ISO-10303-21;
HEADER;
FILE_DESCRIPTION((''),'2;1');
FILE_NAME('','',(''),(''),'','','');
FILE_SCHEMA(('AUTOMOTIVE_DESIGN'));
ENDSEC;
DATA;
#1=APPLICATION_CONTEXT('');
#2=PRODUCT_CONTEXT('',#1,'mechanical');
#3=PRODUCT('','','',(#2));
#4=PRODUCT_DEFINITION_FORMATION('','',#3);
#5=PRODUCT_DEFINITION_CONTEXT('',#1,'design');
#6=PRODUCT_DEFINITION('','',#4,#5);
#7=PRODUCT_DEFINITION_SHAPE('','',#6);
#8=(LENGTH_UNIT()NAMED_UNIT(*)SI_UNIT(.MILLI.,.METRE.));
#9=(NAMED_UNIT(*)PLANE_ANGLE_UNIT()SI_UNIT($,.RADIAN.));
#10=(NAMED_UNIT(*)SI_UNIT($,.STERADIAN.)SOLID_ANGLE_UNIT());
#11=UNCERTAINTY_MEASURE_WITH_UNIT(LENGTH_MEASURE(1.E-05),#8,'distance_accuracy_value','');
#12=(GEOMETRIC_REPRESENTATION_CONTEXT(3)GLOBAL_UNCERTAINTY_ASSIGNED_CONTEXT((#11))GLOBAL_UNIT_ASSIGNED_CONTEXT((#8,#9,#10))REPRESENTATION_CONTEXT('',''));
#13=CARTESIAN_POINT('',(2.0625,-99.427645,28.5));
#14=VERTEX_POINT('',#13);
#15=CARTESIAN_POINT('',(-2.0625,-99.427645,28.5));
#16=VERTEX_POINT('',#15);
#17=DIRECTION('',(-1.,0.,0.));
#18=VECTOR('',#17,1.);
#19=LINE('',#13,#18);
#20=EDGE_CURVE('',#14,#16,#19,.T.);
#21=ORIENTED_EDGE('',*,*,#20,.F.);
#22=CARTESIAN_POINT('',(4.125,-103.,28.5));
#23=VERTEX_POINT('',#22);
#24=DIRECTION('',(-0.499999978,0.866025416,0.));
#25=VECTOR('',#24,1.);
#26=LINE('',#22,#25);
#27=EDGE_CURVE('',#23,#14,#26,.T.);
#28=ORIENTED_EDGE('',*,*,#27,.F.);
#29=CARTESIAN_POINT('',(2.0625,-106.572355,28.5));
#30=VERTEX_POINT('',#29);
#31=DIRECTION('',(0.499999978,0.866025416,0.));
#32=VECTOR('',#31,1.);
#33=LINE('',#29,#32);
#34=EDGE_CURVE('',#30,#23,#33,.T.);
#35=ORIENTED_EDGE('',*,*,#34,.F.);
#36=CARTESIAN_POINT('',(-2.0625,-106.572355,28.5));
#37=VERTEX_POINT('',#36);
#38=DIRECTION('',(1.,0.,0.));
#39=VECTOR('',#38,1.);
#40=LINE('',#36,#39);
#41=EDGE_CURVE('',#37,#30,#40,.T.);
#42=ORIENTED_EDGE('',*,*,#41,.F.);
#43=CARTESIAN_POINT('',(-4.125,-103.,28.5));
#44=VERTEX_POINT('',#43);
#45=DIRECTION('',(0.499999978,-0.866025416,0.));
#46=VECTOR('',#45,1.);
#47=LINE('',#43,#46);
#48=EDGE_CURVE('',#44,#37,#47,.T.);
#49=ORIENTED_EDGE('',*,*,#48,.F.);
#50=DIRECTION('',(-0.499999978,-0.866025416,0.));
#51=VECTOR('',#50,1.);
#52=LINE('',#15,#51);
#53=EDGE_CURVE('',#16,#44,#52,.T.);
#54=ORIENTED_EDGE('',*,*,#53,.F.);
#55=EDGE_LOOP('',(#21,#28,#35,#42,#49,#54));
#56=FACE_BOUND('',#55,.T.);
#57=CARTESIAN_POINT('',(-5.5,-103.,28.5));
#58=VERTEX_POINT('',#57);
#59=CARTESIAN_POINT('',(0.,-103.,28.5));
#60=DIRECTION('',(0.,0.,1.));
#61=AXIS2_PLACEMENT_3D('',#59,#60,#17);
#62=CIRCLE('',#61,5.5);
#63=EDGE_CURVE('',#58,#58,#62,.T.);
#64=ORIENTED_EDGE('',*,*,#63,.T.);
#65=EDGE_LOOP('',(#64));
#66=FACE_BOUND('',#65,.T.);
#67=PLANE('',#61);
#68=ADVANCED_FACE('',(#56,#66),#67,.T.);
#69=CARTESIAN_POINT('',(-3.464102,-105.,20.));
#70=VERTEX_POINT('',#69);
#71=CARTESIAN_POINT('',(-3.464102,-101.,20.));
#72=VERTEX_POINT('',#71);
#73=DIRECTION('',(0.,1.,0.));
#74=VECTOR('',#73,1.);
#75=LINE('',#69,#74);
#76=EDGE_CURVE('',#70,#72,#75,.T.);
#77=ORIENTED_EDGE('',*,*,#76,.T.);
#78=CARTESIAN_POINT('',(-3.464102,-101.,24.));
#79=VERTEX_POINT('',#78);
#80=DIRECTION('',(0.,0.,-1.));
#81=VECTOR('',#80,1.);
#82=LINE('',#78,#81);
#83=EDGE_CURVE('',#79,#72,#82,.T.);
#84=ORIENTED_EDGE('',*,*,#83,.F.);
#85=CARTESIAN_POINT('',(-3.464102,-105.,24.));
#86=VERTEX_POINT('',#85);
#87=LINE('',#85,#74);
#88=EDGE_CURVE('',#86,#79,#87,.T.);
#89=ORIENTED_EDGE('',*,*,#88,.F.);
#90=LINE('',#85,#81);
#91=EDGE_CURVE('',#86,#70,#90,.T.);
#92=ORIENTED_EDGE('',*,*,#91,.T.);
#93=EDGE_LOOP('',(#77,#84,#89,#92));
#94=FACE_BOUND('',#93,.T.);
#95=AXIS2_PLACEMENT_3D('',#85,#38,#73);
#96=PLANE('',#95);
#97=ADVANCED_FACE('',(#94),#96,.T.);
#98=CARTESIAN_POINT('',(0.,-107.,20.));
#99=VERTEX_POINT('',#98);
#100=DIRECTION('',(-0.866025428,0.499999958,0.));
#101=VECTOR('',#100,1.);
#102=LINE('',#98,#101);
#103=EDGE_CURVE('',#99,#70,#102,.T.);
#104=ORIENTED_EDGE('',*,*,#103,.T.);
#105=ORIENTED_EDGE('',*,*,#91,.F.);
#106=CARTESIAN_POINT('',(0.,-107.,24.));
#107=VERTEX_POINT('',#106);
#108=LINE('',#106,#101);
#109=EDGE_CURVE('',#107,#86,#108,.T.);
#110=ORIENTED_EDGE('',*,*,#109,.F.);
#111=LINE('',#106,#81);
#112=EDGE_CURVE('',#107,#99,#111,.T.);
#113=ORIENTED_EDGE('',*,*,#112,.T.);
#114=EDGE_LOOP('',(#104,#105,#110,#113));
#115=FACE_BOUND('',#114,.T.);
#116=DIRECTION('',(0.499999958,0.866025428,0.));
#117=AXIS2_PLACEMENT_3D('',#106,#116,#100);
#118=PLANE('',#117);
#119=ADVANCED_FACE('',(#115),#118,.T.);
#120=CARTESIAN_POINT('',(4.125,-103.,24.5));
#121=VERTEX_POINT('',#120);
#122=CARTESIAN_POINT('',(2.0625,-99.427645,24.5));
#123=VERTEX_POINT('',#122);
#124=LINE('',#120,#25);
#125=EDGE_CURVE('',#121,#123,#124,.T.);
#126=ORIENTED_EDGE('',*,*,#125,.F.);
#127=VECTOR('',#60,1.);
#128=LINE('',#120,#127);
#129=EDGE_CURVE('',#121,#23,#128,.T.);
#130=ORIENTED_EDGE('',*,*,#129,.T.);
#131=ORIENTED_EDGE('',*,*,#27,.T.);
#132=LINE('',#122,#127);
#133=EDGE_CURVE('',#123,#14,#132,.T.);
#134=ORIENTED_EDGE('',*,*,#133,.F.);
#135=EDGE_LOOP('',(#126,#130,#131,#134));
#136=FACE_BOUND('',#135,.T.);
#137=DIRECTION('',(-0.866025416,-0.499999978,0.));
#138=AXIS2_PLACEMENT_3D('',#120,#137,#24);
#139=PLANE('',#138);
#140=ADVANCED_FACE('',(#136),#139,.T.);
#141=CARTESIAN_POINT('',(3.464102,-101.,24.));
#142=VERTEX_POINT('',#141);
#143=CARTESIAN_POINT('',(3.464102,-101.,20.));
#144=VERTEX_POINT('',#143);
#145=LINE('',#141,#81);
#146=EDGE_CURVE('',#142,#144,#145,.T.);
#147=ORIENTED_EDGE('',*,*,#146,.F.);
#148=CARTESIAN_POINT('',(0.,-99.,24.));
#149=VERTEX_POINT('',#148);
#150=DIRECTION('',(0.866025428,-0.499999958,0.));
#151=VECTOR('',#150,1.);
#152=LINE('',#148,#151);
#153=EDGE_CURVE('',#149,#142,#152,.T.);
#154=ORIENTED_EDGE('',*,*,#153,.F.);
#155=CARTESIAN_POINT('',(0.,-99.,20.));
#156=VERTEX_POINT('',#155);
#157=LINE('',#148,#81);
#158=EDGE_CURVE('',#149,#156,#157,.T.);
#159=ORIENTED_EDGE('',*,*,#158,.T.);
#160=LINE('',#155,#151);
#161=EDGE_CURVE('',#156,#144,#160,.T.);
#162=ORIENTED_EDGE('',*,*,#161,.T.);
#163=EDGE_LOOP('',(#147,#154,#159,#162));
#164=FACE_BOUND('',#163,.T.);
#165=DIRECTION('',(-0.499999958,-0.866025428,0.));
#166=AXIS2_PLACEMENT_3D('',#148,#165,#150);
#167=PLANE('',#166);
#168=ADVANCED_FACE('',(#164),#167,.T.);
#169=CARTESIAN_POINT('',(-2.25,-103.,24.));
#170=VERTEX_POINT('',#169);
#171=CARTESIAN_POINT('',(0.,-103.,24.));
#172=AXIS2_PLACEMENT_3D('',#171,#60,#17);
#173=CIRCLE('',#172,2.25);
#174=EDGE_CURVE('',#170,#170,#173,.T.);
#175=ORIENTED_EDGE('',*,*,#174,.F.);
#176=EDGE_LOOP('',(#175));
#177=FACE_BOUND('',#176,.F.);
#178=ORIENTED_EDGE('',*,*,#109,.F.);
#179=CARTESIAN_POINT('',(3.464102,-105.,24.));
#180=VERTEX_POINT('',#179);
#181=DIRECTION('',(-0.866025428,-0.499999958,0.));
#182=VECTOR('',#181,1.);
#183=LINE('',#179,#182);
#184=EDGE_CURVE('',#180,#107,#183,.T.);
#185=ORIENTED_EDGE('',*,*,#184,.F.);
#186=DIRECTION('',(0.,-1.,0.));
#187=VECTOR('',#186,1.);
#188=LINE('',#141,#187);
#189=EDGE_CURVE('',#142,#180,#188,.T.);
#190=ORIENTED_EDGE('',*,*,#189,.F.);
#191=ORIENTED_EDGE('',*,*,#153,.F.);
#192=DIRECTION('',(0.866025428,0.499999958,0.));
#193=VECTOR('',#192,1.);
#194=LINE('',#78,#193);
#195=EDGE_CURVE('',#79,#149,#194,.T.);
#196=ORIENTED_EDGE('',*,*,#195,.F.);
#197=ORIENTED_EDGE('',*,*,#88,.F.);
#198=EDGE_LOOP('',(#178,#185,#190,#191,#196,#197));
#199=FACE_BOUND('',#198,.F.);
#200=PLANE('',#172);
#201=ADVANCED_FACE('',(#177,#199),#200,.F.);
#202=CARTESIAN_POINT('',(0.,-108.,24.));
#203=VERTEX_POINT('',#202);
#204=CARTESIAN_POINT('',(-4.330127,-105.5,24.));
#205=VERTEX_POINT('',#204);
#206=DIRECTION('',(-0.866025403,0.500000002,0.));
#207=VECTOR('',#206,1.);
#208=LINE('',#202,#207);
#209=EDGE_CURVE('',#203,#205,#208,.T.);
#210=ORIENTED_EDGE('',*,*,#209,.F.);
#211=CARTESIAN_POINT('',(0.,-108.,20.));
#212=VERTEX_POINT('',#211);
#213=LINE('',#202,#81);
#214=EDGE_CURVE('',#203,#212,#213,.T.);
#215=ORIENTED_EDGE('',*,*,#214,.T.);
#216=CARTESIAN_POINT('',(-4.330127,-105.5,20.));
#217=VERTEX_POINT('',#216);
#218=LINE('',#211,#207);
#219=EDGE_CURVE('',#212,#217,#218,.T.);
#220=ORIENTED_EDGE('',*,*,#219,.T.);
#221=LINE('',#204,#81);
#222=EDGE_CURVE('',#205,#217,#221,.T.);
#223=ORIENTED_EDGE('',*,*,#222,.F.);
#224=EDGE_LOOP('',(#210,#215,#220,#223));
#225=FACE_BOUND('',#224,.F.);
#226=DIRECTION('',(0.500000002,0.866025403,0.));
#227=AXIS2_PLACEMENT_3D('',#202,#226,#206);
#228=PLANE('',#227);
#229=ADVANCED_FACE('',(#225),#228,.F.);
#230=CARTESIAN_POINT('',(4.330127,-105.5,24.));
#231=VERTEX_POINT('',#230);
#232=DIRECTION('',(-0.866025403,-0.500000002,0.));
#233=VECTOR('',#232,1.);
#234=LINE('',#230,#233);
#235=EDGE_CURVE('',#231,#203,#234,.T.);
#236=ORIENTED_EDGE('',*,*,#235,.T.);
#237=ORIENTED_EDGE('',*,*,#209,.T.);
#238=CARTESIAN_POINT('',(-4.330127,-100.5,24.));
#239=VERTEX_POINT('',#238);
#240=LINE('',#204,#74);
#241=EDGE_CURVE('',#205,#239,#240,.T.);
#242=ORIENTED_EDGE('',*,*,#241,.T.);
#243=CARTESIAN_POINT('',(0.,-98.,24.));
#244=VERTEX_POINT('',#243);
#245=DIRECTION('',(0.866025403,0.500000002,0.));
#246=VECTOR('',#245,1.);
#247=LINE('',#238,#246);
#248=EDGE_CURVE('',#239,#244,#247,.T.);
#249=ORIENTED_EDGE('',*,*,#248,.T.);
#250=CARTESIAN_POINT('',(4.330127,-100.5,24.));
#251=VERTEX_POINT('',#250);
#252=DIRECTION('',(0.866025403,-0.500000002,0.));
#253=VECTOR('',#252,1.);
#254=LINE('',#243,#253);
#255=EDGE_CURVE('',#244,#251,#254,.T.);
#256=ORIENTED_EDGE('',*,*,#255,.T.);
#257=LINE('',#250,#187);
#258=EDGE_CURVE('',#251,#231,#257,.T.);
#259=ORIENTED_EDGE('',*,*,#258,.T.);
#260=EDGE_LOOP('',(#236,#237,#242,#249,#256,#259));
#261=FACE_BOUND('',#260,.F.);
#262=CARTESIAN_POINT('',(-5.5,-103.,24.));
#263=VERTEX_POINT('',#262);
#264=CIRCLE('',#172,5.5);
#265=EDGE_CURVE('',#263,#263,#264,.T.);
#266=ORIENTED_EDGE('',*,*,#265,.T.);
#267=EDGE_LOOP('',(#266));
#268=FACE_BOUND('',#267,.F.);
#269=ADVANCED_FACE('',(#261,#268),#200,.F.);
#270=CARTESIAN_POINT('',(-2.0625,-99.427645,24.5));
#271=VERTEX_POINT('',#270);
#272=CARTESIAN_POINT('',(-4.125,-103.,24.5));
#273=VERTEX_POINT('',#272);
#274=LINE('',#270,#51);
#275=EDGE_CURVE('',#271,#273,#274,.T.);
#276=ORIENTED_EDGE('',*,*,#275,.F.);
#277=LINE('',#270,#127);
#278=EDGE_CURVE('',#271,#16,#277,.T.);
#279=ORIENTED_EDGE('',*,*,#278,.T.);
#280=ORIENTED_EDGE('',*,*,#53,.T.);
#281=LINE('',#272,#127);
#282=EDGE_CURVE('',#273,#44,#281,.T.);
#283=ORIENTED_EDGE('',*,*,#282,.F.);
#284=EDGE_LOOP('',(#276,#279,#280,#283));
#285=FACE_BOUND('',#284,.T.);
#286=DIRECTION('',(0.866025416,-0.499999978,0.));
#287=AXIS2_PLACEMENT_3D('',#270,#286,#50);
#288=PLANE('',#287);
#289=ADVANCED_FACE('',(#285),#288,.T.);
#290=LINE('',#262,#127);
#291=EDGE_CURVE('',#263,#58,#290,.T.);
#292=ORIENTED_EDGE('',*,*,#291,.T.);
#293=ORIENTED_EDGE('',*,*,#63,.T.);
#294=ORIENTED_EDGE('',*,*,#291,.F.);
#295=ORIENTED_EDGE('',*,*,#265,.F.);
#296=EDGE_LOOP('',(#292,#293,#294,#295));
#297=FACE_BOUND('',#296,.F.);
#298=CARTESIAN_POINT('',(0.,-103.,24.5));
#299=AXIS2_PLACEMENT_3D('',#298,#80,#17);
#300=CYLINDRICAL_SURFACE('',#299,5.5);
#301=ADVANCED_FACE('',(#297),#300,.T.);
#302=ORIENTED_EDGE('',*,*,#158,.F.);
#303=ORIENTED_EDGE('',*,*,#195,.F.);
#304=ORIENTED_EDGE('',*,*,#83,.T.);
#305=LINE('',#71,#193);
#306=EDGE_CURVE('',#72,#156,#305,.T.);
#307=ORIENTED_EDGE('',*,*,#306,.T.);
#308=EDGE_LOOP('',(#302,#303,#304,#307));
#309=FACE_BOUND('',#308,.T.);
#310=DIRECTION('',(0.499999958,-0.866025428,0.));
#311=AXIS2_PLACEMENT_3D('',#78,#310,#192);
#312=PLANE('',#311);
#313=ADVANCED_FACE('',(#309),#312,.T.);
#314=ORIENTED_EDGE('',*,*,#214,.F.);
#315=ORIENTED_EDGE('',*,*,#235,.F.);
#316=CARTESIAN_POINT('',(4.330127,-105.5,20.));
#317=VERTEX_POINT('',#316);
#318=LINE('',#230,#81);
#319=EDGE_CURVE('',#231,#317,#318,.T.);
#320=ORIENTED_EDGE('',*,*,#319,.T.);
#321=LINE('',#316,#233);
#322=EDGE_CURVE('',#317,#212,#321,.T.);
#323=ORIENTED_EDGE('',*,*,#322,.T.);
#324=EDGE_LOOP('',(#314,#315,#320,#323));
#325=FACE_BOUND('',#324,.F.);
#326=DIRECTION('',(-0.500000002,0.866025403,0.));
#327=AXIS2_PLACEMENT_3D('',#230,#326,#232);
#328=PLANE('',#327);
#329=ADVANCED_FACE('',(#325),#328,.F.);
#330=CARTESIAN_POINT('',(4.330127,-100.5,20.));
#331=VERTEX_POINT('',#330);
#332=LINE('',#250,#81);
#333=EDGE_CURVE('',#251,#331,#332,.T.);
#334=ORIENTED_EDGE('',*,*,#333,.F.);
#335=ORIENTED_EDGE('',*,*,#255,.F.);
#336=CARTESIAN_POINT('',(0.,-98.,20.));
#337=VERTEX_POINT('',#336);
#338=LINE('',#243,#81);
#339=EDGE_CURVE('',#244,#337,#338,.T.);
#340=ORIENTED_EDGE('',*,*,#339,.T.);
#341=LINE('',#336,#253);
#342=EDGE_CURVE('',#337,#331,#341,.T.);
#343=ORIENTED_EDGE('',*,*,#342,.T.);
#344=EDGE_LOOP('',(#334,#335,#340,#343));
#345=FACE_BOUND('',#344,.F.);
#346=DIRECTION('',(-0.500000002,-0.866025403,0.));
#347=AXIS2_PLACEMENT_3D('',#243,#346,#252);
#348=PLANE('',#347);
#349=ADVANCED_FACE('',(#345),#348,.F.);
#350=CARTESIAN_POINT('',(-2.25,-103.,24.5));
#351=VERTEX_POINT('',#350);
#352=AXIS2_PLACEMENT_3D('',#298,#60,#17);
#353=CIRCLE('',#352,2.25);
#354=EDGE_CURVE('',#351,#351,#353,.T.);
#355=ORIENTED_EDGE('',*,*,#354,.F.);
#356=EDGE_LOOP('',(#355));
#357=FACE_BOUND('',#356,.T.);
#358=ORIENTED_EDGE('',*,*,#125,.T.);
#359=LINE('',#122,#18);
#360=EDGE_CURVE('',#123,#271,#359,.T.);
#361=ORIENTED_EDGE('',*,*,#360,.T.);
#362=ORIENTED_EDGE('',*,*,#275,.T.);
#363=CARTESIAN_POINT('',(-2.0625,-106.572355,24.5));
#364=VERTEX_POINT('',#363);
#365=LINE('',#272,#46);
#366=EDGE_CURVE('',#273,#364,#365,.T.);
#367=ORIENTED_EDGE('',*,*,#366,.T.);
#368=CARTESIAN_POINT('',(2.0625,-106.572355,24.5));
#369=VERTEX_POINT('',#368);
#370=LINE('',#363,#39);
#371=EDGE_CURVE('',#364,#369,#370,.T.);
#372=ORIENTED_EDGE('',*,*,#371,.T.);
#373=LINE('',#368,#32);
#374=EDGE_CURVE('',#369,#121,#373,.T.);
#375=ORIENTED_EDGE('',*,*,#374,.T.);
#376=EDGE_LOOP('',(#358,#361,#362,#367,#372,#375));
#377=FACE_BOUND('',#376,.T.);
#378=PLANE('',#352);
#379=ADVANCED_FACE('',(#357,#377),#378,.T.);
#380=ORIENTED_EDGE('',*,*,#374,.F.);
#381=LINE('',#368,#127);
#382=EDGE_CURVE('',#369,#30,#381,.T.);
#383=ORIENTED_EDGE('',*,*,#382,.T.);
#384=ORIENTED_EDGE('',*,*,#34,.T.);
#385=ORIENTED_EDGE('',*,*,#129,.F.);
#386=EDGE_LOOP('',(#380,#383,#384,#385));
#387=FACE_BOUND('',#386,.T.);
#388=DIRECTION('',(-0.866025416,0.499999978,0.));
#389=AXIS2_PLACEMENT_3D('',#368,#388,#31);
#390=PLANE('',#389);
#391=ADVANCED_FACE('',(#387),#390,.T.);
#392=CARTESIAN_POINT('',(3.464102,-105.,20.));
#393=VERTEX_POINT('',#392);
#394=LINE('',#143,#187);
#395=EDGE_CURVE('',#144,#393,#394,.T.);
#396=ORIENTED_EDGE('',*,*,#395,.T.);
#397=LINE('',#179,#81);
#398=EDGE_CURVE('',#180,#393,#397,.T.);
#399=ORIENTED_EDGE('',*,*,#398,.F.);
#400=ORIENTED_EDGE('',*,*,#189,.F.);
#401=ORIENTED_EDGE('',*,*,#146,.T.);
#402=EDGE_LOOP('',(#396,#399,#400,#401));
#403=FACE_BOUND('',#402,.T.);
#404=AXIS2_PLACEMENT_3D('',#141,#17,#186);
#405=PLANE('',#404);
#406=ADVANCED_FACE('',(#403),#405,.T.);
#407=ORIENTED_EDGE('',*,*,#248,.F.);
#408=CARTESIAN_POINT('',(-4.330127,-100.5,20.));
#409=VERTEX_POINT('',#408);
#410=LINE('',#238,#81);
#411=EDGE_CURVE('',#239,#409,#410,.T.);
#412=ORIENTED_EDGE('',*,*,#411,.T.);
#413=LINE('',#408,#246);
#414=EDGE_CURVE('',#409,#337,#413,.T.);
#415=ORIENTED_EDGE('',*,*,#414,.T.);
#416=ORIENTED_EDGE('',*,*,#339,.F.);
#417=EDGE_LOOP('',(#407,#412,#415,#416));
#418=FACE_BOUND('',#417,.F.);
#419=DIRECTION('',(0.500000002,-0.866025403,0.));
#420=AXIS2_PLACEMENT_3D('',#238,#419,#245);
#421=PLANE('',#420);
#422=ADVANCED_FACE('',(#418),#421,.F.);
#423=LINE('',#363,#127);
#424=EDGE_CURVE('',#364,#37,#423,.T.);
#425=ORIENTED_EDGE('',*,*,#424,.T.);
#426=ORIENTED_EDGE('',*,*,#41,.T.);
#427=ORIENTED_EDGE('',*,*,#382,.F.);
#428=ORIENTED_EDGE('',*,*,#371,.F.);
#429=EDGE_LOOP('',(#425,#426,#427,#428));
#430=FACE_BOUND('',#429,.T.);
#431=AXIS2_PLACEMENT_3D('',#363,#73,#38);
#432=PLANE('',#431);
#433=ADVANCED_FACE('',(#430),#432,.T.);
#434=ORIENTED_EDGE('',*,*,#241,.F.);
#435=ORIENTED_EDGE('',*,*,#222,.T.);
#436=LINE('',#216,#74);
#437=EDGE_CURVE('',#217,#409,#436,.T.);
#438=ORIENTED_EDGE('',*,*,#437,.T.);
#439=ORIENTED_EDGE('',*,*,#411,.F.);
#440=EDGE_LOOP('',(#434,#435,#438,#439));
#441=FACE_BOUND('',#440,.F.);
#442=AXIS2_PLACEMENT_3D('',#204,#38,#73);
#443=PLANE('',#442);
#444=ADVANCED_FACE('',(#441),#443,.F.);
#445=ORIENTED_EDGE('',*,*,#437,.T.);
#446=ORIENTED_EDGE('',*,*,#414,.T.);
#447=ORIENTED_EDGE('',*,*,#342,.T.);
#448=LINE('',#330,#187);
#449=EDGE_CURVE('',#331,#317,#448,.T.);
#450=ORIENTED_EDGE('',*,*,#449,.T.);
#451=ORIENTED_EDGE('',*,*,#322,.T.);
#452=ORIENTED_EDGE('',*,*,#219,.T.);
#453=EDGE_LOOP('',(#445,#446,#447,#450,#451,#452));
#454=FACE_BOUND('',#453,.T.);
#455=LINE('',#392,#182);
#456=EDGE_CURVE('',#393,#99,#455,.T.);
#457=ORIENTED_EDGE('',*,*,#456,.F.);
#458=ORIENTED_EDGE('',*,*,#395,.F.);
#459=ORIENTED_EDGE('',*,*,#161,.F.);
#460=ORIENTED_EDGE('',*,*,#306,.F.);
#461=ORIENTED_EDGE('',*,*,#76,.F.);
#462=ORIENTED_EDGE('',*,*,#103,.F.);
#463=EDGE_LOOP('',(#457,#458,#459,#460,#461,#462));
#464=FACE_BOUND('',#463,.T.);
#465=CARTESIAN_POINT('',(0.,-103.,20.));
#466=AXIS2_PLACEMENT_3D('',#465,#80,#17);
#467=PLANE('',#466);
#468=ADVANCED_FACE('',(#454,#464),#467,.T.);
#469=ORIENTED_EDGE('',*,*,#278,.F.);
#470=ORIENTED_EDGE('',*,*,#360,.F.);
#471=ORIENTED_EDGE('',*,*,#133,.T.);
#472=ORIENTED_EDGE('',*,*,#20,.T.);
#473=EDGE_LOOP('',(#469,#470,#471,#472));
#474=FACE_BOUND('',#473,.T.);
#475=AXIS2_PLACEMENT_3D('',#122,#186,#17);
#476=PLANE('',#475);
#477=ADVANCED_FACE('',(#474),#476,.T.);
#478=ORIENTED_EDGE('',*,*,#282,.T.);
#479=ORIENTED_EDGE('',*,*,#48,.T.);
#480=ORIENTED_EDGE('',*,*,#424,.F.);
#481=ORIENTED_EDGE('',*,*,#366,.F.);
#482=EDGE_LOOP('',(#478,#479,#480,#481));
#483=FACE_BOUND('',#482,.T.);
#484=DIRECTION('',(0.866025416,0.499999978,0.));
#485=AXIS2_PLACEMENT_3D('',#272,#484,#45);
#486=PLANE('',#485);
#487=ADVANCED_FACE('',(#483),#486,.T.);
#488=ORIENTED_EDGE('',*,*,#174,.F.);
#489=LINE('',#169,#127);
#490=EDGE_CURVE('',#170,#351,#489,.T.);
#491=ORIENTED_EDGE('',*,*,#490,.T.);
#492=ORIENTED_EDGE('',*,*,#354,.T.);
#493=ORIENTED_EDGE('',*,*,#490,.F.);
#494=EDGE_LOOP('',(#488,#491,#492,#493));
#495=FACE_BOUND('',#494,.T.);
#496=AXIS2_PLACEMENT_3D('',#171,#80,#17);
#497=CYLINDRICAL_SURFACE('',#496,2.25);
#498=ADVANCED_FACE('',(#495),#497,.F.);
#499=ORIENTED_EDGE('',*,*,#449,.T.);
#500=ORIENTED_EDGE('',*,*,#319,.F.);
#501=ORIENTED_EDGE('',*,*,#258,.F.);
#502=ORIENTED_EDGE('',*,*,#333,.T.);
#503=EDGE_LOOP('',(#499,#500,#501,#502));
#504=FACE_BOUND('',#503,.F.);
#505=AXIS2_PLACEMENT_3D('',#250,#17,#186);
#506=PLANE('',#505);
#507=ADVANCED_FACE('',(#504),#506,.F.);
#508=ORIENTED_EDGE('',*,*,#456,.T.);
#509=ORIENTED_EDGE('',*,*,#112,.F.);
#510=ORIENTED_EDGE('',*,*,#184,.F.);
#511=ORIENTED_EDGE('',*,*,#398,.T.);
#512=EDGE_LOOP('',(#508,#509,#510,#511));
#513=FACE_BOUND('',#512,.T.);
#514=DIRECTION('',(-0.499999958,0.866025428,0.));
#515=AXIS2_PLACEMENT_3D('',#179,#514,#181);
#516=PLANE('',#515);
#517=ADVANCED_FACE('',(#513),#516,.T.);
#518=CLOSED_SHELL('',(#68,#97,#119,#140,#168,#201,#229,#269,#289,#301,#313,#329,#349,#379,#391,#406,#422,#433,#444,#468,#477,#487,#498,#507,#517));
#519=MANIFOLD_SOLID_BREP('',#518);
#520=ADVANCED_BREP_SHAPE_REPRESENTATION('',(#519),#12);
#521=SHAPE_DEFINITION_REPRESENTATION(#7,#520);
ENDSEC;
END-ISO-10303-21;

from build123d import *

# Parameters (mm, degrees)
SKETCH165_R             = 5.5
SKETCH165_R_2           = 2.25
PAD071_DEPTH            = 0.5
SKETCH166_R             = 5.5
PAD072_DEPTH            = 4
PAD073_DEPTH            = 4
BODY021_ROLL_ANGLE      = -90
BODY021_PLACEMENT_ANGLE = -180


with BuildPart() as part:
    # Sketch165 → Pad071 (new body)
    with BuildSketch(Plane.XZ):
        Circle(SKETCH165_R)
        Circle(SKETCH165_R_2, mode=Mode.SUBTRACT)
    extrude(amount=PAD071_DEPTH)

    # Sketch166 (on Face4 of Pad071) → Pad072 (join)
    with BuildSketch(Plane.XZ.offset(0.5)):
        Circle(SKETCH166_R)
        Polygon((-2.0625, -3.572355), (2.0625, -3.572355), (4.125, 0), (2.0625, 3.572355), (-2.0625, 3.572355), (-4.125, 0), align=None, mode=Mode.SUBTRACT)
    extrude(amount=PAD072_DEPTH)

    # Sketch167 (on Face2 of Pad072) → Pad073 (join)
    with BuildSketch(Plane(origin=(0, 0, 0), x_dir=(1, 0, 0), z_dir=(0, 1, 0))):
        Polygon((0, 5), (-4.330127, 2.5), (-4.330127, -2.5), (0, -5), (4.330127, -2.5), (4.330127, 2.5), align=None)
        Polygon((0, 4), (-3.464102, 2), (-3.464102, -2), (0, -4), (3.464102, -2), (3.464102, 2), align=None, mode=Mode.SUBTRACT)
    extrude(amount=PAD073_DEPTH)


with BuildPart() as part_1:
    # Body021 roll: moved
    add(part.part.rotate(Axis((0, 0, 0), (1, 0, 0)), BODY021_ROLL_ANGLE))


with BuildPart() as part_2:
    # Body021 placement: moved
    add(part_1.part.moved(Location((0, -103, 24))).rotate(Axis((0, -103, 24), (0, 0, 1)), BODY021_PLACEMENT_ANGLE))


solid = part_2.part
